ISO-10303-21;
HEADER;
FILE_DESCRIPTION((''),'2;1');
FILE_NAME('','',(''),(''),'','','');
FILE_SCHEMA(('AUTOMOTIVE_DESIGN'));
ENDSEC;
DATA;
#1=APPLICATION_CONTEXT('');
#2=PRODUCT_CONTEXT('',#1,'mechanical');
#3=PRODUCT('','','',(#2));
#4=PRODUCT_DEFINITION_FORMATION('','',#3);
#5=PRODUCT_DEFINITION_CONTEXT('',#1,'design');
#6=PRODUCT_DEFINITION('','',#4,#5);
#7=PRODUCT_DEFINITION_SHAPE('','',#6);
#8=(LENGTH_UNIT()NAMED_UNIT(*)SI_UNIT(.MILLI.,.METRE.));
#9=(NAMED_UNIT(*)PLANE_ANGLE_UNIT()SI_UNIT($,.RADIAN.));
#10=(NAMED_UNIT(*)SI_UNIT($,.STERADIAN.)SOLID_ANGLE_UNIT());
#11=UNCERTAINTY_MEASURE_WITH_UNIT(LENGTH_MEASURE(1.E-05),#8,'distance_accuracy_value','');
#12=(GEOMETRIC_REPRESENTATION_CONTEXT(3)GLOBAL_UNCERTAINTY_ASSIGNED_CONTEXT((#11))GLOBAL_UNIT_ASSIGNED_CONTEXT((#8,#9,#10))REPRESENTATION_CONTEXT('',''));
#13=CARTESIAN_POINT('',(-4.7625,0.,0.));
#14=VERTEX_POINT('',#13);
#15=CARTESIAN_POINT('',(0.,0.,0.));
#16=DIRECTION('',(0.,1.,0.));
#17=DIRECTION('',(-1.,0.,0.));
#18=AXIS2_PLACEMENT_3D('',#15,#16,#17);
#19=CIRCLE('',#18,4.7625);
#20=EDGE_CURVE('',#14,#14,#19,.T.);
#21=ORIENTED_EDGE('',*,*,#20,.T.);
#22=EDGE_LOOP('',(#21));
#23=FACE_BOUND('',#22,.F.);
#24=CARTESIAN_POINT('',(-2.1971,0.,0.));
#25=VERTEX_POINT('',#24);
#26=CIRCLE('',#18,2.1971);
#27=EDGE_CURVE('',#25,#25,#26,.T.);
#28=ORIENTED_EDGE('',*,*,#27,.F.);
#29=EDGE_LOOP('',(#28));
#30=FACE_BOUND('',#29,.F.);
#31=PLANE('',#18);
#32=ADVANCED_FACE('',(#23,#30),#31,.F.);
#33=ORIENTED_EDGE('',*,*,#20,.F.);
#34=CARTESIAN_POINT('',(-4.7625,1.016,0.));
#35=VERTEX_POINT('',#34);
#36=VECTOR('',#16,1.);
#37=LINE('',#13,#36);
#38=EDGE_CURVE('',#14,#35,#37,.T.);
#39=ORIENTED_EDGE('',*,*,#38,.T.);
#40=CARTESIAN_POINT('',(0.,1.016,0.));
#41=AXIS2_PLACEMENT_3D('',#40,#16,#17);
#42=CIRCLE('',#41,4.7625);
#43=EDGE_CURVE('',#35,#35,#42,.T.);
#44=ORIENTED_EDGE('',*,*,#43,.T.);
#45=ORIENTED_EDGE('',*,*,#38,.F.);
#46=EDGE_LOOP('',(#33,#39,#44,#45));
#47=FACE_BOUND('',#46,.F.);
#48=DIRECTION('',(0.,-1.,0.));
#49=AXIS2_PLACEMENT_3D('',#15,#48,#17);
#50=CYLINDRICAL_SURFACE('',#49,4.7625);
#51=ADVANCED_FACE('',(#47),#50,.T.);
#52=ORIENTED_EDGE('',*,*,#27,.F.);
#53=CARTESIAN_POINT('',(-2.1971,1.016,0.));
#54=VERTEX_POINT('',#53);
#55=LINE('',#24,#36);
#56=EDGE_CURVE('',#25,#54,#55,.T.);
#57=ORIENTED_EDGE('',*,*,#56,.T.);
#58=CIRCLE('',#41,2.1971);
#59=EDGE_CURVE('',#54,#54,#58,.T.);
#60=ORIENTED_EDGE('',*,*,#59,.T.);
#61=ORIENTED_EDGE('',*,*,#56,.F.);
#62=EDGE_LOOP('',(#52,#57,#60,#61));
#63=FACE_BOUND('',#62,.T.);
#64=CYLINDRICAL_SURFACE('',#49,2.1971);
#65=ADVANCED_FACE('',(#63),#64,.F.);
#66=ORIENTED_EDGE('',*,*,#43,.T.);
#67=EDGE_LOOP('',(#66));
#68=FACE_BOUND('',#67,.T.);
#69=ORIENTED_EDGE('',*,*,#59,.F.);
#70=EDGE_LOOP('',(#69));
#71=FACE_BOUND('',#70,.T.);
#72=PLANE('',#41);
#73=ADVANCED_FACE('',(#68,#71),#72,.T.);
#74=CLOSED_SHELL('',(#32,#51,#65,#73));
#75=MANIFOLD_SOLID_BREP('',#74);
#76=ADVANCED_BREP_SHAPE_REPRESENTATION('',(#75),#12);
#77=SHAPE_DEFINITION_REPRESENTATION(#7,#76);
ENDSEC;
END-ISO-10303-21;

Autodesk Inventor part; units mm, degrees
ref_plane "YZ Plane" through (0, 0, 0) normal (1, 0, 0) x (0, 1, 0)
ref_plane "XZ Plane" through (0, 0, 0) normal (0, 1, 0) x (-1, 0, 0)
ref_plane "XY Plane" through (0, 0, 0) normal (0, 0, 1) x (1, 0, 0)
sketch "Sketch1" plane through (0, 0, 0) normal (0, 1, 0) x (-1, 0, 0)
  circle A0 centre (0, 0) radius 4.7625
  circle A1 centre (0, 0) radius 2.1971
  dimension "d0" = 9.525
  dimension "d1" = 4.3942
extrude "Extrusion1" add sketch "Sketch1" along normal blind 1.016
properties part number "275-1025" material "Nylon 6/6"
